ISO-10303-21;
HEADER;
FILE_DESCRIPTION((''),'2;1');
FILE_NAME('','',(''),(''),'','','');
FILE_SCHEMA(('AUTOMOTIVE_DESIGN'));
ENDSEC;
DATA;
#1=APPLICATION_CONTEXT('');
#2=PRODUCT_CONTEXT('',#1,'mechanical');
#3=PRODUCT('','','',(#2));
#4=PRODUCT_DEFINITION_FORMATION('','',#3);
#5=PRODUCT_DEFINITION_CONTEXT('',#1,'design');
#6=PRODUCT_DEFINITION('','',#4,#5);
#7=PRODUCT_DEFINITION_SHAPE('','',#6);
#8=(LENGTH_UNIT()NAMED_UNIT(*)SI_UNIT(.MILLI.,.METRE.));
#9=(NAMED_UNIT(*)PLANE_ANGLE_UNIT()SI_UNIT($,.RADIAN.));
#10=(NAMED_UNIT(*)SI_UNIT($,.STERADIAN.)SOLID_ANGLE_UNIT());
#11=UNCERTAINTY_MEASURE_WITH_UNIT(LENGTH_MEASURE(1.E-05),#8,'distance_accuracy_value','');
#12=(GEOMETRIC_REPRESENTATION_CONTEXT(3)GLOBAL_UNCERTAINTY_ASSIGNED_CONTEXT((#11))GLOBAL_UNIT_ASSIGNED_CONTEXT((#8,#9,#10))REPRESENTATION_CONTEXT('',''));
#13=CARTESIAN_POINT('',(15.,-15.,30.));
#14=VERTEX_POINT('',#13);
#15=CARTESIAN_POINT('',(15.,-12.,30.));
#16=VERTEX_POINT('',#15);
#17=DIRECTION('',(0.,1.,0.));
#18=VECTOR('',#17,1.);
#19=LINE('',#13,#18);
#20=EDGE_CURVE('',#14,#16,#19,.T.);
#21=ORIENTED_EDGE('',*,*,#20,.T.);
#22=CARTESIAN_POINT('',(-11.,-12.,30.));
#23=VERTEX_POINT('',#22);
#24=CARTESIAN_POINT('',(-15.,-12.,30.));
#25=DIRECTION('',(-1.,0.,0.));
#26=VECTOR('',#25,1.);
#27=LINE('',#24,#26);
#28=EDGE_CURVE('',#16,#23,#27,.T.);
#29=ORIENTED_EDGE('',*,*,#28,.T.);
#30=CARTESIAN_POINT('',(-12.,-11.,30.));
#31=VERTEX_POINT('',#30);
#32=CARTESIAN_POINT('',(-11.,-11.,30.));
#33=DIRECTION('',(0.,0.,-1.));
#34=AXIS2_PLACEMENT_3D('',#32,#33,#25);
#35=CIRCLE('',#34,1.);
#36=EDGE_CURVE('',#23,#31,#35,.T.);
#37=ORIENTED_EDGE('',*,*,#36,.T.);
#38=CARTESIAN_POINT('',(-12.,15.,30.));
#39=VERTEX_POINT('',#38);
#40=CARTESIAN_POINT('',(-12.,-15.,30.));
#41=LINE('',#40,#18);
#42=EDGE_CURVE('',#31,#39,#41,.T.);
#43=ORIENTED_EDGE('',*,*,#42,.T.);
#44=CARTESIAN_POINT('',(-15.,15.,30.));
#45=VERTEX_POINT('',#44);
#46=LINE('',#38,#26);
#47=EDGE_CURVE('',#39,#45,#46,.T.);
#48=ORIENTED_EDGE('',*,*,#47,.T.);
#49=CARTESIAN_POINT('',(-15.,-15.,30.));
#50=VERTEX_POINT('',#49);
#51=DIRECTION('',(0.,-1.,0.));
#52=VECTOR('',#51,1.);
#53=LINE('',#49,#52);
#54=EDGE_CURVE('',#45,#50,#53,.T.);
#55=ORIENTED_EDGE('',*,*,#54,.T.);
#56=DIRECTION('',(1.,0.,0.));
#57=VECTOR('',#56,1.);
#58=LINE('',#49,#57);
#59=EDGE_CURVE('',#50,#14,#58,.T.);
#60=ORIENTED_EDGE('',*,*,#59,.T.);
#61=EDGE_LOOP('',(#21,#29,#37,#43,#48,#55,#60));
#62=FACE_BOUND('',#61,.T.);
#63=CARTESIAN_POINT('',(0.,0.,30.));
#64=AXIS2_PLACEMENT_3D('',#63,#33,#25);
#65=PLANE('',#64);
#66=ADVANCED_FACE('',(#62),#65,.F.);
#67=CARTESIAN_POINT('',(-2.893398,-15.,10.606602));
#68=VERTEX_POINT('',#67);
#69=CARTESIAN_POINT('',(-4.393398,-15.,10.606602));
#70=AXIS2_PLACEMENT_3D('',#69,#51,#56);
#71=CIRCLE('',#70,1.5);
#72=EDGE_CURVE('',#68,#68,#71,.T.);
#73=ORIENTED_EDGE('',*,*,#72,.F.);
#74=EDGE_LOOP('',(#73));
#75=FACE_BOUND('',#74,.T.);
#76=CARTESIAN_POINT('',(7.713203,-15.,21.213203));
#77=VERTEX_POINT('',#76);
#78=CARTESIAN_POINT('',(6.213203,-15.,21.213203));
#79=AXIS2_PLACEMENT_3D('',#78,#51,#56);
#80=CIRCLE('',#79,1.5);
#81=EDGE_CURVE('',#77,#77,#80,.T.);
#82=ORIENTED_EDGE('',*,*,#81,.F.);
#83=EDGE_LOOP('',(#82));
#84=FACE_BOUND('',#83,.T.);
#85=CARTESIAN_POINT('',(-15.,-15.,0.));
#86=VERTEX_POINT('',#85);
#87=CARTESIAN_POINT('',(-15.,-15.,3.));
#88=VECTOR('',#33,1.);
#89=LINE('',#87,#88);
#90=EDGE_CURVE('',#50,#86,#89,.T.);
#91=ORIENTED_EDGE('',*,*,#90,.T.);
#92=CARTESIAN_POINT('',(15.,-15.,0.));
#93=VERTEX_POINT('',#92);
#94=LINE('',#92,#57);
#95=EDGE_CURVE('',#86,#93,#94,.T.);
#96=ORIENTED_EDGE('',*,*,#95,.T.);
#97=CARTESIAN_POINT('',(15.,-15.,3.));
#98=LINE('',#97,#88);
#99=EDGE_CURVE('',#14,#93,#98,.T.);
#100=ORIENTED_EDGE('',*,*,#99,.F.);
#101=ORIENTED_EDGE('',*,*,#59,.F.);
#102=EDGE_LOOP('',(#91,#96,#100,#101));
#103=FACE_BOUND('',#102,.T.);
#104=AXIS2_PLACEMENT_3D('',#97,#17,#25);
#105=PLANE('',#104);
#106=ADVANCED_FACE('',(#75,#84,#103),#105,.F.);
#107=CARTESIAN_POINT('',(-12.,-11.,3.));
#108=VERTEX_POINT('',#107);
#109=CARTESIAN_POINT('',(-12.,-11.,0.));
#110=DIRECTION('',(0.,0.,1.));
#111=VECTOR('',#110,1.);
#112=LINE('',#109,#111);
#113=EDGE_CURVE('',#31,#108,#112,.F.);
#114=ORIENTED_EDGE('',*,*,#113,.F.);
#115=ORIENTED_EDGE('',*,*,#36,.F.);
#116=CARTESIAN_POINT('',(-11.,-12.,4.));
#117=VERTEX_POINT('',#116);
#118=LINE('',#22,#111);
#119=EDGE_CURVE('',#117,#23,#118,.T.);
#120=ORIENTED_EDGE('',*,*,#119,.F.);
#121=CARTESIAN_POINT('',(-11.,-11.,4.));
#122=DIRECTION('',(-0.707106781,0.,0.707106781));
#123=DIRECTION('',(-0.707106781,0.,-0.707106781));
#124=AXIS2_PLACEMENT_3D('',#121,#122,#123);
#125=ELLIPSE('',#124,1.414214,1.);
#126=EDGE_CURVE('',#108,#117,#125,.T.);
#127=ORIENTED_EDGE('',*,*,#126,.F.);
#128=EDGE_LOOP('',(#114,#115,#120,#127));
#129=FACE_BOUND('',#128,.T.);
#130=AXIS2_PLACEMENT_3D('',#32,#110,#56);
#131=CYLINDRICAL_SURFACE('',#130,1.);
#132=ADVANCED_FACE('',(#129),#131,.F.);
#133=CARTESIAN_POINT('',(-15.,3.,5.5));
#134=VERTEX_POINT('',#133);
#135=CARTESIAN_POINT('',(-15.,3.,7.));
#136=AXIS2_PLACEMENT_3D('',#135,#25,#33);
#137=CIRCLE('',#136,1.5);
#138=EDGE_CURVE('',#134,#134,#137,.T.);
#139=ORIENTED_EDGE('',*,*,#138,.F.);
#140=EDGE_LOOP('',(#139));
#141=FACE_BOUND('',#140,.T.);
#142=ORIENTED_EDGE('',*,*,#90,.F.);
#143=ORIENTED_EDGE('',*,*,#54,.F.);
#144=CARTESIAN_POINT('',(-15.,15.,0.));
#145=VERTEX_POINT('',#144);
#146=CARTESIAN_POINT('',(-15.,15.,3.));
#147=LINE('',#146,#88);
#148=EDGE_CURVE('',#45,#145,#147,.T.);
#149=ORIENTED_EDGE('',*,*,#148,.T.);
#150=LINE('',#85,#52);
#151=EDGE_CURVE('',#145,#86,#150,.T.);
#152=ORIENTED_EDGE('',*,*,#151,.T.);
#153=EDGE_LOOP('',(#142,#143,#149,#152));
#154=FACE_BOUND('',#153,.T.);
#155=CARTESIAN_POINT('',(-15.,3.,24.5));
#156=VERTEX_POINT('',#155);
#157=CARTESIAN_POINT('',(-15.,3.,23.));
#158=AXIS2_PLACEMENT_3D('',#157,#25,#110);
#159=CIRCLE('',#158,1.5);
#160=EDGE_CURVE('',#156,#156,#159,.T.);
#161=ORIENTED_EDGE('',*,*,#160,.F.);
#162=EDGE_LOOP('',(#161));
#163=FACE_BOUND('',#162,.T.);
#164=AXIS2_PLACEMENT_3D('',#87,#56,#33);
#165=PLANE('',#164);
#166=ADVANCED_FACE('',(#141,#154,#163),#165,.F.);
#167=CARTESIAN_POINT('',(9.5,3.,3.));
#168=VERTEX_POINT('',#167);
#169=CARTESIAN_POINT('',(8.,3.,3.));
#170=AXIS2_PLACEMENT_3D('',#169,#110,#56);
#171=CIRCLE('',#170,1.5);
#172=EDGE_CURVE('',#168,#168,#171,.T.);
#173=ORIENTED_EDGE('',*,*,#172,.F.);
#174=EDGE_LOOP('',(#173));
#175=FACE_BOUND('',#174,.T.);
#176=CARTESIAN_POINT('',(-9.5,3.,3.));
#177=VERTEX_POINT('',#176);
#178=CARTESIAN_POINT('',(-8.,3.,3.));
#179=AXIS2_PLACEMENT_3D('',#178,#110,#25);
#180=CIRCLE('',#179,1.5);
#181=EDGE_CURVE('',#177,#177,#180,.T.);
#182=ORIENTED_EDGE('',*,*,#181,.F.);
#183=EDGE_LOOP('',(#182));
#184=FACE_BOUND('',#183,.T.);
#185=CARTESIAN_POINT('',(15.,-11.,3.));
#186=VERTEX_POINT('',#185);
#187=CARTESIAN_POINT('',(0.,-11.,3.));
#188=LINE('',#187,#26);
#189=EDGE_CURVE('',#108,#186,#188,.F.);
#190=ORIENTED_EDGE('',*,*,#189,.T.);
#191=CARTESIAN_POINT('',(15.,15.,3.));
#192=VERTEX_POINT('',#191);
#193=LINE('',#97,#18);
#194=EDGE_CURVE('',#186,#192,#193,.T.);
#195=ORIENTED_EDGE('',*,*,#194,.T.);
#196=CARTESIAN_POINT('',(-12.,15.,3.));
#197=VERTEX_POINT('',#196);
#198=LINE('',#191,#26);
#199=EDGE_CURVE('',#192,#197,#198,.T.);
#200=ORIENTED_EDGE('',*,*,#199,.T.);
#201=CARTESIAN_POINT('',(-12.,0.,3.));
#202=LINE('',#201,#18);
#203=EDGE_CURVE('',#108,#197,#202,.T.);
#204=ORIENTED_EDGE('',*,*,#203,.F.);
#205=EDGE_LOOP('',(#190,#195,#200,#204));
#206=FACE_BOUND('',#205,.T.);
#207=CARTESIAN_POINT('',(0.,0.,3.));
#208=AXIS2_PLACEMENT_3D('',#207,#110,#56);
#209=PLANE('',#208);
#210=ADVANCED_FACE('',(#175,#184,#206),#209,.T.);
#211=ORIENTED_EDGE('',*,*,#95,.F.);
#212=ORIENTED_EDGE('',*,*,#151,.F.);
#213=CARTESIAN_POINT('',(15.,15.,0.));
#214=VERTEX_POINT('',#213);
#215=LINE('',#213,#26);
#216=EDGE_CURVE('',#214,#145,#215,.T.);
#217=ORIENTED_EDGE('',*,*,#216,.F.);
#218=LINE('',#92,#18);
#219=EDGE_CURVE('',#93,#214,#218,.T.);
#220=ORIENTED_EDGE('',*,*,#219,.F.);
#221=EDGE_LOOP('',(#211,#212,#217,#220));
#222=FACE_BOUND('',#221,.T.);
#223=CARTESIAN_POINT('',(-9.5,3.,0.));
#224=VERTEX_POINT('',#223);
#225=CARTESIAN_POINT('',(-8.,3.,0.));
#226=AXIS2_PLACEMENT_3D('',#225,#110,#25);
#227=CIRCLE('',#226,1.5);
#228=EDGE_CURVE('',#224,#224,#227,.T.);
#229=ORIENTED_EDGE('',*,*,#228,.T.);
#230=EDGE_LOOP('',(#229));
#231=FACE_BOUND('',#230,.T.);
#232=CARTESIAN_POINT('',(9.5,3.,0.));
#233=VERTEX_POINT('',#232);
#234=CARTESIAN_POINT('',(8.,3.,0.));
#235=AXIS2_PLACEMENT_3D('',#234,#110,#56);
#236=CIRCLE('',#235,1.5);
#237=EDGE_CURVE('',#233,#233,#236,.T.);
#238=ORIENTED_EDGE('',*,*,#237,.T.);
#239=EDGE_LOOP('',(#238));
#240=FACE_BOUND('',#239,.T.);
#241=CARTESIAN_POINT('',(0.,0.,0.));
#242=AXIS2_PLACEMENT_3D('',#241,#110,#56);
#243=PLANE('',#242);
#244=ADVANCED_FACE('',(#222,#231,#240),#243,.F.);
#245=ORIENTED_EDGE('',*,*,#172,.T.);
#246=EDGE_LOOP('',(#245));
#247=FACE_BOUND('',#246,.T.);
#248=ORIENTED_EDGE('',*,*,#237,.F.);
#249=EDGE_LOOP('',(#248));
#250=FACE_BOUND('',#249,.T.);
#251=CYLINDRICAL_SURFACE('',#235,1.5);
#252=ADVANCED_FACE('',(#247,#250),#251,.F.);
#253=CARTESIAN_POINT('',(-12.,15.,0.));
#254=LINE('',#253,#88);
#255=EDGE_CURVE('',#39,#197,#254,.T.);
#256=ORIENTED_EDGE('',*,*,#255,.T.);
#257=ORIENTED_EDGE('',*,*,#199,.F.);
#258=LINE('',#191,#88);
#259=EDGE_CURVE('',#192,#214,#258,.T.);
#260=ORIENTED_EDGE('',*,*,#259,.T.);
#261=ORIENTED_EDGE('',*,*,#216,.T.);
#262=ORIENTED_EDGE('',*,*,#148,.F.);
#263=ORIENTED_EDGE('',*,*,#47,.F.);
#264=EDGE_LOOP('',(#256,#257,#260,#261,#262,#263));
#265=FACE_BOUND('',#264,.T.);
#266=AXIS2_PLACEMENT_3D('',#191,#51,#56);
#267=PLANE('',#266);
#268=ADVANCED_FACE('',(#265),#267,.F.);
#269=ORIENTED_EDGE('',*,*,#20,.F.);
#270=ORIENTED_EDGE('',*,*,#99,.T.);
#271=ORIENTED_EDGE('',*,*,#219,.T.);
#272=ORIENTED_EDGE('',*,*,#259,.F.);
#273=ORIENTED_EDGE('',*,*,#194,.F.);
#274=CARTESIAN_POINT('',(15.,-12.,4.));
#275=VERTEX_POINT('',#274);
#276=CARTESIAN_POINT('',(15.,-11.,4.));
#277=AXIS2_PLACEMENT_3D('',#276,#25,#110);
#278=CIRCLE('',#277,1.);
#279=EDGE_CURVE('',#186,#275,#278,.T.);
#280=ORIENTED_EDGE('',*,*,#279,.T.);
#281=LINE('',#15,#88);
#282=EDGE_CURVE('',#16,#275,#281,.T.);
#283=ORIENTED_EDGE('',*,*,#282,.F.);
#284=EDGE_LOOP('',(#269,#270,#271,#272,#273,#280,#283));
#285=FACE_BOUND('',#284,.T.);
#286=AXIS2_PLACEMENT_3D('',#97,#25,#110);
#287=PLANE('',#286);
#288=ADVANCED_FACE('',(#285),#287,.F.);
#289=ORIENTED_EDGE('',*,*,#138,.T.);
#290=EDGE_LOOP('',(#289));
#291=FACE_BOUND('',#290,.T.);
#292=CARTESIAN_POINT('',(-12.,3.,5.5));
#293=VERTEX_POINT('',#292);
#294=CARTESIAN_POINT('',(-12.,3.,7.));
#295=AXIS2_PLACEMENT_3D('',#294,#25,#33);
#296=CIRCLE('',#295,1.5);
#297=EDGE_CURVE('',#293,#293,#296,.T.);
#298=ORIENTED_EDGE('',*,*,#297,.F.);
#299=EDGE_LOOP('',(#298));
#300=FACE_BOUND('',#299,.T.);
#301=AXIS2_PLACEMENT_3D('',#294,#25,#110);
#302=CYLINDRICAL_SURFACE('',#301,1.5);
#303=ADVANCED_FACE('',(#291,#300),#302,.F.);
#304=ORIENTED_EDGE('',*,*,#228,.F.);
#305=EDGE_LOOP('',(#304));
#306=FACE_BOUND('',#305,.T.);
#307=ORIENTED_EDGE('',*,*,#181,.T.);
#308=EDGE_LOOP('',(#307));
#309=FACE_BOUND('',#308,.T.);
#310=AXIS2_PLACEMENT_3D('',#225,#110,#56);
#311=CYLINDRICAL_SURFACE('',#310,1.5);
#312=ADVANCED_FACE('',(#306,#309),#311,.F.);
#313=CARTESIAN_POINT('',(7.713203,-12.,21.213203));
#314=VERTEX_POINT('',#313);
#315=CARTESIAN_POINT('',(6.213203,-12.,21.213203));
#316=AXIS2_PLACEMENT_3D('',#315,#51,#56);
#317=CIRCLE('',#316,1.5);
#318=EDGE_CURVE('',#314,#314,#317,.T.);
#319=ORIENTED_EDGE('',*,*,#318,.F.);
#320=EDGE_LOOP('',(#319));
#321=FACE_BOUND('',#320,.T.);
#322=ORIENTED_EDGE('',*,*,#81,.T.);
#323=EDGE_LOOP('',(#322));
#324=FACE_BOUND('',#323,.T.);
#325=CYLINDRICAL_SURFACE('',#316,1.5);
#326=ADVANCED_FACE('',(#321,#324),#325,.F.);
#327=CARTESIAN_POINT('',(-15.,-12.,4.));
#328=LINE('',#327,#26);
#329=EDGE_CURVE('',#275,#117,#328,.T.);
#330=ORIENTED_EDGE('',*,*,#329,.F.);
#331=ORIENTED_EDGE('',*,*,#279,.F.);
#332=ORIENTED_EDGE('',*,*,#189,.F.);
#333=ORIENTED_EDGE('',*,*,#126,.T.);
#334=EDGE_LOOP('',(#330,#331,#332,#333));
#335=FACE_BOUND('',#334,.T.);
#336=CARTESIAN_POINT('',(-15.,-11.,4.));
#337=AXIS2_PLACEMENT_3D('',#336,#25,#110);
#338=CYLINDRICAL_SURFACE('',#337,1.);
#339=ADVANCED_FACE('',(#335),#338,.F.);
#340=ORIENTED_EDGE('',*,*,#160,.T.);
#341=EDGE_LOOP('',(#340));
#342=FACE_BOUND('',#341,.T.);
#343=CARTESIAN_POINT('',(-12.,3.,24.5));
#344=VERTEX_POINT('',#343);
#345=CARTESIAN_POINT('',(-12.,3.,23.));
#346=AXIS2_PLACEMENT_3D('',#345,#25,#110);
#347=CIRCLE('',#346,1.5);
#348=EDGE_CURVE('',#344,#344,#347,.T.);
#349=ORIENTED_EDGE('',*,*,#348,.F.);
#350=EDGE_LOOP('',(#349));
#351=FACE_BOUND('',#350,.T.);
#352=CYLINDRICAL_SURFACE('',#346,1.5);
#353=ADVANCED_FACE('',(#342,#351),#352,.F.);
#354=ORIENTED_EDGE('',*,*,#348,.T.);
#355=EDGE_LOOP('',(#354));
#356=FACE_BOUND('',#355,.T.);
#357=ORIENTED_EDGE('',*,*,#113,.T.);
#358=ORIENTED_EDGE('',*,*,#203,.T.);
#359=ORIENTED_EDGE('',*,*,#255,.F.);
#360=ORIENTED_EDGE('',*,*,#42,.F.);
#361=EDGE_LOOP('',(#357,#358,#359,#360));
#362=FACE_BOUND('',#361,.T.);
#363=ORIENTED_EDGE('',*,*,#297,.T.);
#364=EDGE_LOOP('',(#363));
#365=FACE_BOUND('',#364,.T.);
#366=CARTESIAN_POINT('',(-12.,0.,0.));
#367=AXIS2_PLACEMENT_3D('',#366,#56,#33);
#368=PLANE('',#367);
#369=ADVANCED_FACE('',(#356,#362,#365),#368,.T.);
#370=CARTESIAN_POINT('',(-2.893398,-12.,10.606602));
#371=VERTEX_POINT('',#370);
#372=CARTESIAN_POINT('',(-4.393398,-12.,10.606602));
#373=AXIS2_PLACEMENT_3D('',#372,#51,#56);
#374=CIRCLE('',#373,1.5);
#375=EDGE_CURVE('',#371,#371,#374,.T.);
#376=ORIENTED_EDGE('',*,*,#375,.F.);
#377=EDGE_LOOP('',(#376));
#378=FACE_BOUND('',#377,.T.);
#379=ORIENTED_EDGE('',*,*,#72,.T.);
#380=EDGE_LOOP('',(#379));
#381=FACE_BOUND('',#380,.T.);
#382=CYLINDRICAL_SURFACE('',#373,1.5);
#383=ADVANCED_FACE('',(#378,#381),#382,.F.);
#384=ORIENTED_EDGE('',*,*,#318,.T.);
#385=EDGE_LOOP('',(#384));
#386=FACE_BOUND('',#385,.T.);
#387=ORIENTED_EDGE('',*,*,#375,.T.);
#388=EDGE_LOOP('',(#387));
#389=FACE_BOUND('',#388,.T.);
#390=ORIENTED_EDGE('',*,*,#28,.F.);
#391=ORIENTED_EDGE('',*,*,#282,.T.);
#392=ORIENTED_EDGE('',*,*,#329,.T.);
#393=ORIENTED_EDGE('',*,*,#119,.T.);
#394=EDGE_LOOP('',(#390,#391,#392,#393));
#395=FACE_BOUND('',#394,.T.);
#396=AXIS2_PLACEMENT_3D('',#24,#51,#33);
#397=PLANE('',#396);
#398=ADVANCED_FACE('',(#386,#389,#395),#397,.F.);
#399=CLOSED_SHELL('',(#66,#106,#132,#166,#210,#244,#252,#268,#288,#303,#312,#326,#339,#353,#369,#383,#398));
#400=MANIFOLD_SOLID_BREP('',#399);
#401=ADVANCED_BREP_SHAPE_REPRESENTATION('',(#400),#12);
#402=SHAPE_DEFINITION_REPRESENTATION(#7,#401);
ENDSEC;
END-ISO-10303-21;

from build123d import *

# Parameters (mm, degrees)
SKETCH_1_W          = 30
SKETCH_1_H          = 30
EXTRUDE_1_DEPTH     = 3
SKETCH_2_R          = 1.5
CUT_EXTRUDE_1_DEPTH = 3
SKETCH_3_W          = 30
SKETCH_3_H          = 3
EXTRUDE_2_DEPTH     = 27
SKETCH_5_W          = 30
SKETCH_5_H          = 30
EXTRUDE_3_DEPTH     = 3
FILLET_1_R          = 1
SKETCH_10_R         = 1.5
CUT_EXTRUDE_4_DEPTH = 3
SKETCH_11_R         = 1.5
CUT_EXTRUDE_5_DEPTH = 3


with BuildPart() as part:
    # 草图1 → 凸台-拉伸1 (new body)
    with BuildSketch(Plane.XY):
        Rectangle(SKETCH_1_W, SKETCH_1_H)
    extrude(amount=EXTRUDE_1_DEPTH)

    # 草图2 → 切除-拉伸1 (cut)
    with BuildSketch(Plane.XY.offset(3)):
        with Locations((8, 3)):
            Circle(SKETCH_2_R)
        with Locations(Location((-8, 3, 0), (0, 0, 180))):
            Circle(SKETCH_2_R)
    extrude(amount=-CUT_EXTRUDE_1_DEPTH, mode=Mode.SUBTRACT)

    # 草图3 → 凸台-拉伸2 (add)
    with BuildSketch(Plane.XY.offset(3)):
        with Locations((0, -13.5)):
            Rectangle(SKETCH_3_W, SKETCH_3_H)
    extrude(amount=EXTRUDE_2_DEPTH)

    # 草图5 → 凸台-拉伸3 (add)
    with BuildSketch(Plane.ZY.offset(15)):
        with Locations((15, 0)):
            Rectangle(SKETCH_5_W, SKETCH_5_H)
    extrude(amount=-EXTRUDE_3_DEPTH)

    # 圆角1
    fillet_1_edges = [part.edges().sort_by_distance(p)[0] for p in [
        (1.5, -12, 3),
        (-12, -12, 16.5),
    ]]
    fillet(fillet_1_edges, radius=FILLET_1_R)

    # 草图10 → 切除-拉伸4 (cut)
    with BuildSketch(Plane.XZ.offset(15)):
        with Locations((-4.393398282, 10.606601718)):
            Circle(SKETCH_10_R)
        with Locations((6.213203436, 21.213203436)):
            Circle(SKETCH_10_R)
    extrude(amount=-CUT_EXTRUDE_4_DEPTH, mode=Mode.SUBTRACT)

    # 草图11 → 切除-拉伸5 (cut)
    with BuildSketch(Plane.ZY.offset(15)):
        with Locations((23, 3)):
            Circle(SKETCH_11_R)
        with Locations(Location((7, 3, 0), (0, 0, 180))):
            Circle(SKETCH_11_R)
    extrude(amount=-CUT_EXTRUDE_5_DEPTH, mode=Mode.SUBTRACT)


solid = part.part
